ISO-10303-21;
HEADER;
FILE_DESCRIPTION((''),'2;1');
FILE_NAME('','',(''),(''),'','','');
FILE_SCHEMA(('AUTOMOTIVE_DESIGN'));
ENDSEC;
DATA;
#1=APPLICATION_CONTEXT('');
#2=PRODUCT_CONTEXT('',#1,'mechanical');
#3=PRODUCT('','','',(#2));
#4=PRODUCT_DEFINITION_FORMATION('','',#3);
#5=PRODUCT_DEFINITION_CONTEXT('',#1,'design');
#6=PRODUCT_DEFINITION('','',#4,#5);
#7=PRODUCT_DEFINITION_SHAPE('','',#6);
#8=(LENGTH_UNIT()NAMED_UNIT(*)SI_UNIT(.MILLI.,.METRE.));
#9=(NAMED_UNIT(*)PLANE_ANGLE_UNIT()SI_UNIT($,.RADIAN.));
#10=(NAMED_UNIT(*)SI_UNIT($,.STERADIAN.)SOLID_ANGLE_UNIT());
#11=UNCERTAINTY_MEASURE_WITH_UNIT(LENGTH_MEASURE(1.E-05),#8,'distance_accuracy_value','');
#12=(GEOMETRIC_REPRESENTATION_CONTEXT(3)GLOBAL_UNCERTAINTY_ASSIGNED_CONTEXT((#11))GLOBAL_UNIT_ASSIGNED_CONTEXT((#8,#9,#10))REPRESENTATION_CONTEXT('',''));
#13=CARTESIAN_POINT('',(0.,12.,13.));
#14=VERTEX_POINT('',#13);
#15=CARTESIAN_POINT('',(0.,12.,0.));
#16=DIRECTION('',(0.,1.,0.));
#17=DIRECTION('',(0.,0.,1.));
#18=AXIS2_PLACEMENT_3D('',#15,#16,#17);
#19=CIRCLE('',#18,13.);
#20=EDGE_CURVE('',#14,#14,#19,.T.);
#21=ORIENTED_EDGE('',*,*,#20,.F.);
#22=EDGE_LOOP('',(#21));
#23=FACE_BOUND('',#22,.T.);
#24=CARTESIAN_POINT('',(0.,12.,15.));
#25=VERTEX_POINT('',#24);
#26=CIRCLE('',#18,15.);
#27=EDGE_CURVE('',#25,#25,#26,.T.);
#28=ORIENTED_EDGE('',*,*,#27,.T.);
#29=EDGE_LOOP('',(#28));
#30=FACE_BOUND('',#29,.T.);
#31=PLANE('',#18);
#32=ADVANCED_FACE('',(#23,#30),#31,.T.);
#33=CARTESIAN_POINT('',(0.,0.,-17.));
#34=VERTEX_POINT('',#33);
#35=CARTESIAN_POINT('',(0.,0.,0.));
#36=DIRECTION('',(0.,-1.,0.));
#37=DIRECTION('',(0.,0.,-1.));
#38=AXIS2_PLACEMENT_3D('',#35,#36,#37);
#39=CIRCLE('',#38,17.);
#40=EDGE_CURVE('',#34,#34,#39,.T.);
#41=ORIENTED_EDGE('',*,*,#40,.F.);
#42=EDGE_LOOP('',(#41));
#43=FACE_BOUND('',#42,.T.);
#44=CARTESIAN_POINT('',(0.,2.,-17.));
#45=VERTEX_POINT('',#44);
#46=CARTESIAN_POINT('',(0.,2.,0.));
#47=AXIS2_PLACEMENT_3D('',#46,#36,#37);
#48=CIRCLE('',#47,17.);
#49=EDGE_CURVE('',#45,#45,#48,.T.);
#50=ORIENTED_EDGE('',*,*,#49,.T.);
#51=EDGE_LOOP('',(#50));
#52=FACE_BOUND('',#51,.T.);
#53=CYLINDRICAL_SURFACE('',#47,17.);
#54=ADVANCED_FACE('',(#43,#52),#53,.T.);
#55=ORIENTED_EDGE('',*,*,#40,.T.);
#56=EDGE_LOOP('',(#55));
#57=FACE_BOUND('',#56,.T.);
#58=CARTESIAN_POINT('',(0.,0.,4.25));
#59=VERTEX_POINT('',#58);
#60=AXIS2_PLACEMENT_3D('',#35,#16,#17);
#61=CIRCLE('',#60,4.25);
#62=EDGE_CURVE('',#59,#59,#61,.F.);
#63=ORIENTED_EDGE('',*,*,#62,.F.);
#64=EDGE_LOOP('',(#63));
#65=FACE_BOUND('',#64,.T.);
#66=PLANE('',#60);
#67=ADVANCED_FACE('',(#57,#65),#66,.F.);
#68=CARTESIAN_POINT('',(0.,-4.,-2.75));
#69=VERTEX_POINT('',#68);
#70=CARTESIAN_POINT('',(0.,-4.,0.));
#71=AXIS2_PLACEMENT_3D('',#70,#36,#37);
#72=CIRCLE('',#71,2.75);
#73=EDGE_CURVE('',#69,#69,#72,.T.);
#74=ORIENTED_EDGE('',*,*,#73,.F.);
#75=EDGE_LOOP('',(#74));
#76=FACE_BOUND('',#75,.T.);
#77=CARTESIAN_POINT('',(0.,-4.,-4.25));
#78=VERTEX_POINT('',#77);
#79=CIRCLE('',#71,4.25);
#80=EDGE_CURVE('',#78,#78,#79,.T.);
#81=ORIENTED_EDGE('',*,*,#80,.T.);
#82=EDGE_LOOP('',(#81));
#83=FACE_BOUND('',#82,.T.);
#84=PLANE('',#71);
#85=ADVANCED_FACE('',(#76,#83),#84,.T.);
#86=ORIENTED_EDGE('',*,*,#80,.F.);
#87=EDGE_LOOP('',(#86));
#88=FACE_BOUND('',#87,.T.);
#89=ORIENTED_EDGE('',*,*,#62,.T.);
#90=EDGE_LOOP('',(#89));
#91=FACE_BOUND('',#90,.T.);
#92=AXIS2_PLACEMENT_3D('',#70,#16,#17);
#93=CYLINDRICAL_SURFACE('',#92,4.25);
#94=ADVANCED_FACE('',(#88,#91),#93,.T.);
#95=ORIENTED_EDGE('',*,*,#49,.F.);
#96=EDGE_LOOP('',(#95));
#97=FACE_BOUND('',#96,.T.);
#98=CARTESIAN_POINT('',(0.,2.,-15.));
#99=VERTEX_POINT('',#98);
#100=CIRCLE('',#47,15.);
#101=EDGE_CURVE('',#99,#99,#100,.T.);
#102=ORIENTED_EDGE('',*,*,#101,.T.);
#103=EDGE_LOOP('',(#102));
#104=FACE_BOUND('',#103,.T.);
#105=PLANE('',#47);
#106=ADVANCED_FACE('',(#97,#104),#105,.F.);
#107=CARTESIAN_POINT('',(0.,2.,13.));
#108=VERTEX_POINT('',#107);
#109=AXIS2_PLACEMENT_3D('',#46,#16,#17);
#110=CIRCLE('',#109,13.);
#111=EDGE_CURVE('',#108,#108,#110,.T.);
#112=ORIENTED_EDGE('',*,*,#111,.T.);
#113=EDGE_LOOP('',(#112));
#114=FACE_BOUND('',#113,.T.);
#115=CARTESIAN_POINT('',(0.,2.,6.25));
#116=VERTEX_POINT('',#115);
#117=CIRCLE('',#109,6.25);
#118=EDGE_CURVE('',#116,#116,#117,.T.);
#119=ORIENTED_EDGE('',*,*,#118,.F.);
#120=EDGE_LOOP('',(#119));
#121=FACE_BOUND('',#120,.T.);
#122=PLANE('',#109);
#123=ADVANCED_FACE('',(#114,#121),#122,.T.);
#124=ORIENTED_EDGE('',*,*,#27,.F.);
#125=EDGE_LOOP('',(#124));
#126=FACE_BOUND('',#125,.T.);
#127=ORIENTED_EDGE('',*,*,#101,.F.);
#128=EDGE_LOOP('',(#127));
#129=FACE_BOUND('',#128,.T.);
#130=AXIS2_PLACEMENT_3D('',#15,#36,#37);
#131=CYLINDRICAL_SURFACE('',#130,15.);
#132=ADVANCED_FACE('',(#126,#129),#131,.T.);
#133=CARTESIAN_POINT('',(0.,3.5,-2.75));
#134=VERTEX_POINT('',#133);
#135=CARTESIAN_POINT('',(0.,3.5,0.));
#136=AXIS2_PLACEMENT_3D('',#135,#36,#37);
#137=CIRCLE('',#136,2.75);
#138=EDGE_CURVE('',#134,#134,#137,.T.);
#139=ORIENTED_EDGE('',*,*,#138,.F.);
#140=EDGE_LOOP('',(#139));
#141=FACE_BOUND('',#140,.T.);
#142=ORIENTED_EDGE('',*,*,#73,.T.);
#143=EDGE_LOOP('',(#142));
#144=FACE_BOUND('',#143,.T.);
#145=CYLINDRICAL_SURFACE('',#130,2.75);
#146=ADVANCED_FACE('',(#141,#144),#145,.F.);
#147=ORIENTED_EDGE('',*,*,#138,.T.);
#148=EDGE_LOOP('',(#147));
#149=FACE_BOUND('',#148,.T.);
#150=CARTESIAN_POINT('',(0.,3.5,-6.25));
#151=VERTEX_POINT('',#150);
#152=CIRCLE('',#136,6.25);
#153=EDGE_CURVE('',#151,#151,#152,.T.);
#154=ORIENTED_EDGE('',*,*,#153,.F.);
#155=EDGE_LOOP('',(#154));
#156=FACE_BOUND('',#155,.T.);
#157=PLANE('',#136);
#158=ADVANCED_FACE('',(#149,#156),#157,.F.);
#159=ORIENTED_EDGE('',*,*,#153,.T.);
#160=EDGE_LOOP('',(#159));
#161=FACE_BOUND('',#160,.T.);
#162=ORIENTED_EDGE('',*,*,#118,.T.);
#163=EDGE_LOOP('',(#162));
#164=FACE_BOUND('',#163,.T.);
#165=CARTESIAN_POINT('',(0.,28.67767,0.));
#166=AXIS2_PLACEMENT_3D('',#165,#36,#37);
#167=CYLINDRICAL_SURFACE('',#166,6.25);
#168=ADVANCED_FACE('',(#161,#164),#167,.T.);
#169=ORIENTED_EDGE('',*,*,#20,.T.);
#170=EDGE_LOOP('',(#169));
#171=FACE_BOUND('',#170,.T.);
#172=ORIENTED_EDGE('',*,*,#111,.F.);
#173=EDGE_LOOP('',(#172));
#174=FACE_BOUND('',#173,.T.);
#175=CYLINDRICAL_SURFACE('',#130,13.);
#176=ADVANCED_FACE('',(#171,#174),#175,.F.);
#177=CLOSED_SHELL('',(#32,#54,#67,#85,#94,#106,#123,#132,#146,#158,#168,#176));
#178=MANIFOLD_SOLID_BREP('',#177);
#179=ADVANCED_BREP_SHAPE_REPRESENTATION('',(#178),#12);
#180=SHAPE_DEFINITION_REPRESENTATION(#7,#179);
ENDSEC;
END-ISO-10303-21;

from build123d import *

# Parameters (mm, degrees)
SKETCH2_R           = 15
BOSS_EXTRUDE1_DEPTH = 12
SHELL1_T            = -2
SKETCH4_R           = 2.75
CUT_EXTRUDE1_DEPTH  = 25.372115214
SKETCH5_R           = 17
SKETCH5_R_2         = 15
BOSS_EXTRUDE3_DEPTH = 2
BOSS_EXTRUDE5_START = 4
SKETCH7_R           = 4.25
SKETCH7_R_2         = 2.75
BOSS_EXTRUDE5_DEPTH = 4
SKETCH6_R           = 6.25
SKETCH6_R_2         = 2.75
BOSS_EXTRUDE4_DEPTH = 1.5


with BuildPart() as part:
    # Sketch2 → Boss-Extrude1 (new body)
    with BuildSketch(Plane(origin=(0, 0, 0), x_dir=(1, 0, 0), z_dir=(0, 1, 0))):
        with Locations(Location((0, 0, 0), (0, 0, 270))):
            Circle(SKETCH2_R)
    extrude(amount=BOSS_EXTRUDE1_DEPTH)

    # Shell1
    shell1_openings = [part.faces().sort_by_distance(p)[0] for p in [
        (0, 12, 0),
    ]]
    offset(amount=SHELL1_T, openings=shell1_openings, kind=Kind.INTERSECTION)

    # Sketch4 → Cut-Extrude1 (cut, through all)
    with BuildSketch(Plane.XZ):
        with Locations(Location((0, 0, 0), (0, 0, 270))):
            Circle(SKETCH4_R)
    extrude(amount=-CUT_EXTRUDE1_DEPTH, mode=Mode.SUBTRACT)

    # Sketch5 → Boss-Extrude3 (add)
    with BuildSketch(Plane.XZ):
        with Locations(Location((0, 0, 0), (0, 0, 270))):
            Circle(SKETCH5_R)
        with Locations(Location((0, 0, 0), (0, 0, 270))):
            Circle(SKETCH5_R_2, mode=Mode.SUBTRACT)
    extrude(amount=-BOSS_EXTRUDE3_DEPTH)

    # Sketch7 → Boss-Extrude5 (add)
    with BuildSketch(Plane.XZ.offset(BOSS_EXTRUDE5_START)):
        with Locations(Location((0, 0, 0), (0, 0, 90))):
            Circle(SKETCH7_R)
        with Locations(Location((0, 0, 0), (0, 0, 270))):
            Circle(SKETCH7_R_2, mode=Mode.SUBTRACT)
    extrude(amount=-BOSS_EXTRUDE5_DEPTH)

    # Sketch6 → Boss-Extrude4 (add)
    with BuildSketch(Plane(origin=(0, 2, 0), x_dir=(1, 0, 0), z_dir=(0, 1, 0))):
        with Locations(Location((0, 0, 0), (0, 0, 90))):
            Circle(SKETCH6_R)
        with Locations(Location((0, 0, 0), (0, 0, 90))):
            Circle(SKETCH6_R_2, mode=Mode.SUBTRACT)
    extrude(amount=BOSS_EXTRUDE4_DEPTH)


solid = part.part
